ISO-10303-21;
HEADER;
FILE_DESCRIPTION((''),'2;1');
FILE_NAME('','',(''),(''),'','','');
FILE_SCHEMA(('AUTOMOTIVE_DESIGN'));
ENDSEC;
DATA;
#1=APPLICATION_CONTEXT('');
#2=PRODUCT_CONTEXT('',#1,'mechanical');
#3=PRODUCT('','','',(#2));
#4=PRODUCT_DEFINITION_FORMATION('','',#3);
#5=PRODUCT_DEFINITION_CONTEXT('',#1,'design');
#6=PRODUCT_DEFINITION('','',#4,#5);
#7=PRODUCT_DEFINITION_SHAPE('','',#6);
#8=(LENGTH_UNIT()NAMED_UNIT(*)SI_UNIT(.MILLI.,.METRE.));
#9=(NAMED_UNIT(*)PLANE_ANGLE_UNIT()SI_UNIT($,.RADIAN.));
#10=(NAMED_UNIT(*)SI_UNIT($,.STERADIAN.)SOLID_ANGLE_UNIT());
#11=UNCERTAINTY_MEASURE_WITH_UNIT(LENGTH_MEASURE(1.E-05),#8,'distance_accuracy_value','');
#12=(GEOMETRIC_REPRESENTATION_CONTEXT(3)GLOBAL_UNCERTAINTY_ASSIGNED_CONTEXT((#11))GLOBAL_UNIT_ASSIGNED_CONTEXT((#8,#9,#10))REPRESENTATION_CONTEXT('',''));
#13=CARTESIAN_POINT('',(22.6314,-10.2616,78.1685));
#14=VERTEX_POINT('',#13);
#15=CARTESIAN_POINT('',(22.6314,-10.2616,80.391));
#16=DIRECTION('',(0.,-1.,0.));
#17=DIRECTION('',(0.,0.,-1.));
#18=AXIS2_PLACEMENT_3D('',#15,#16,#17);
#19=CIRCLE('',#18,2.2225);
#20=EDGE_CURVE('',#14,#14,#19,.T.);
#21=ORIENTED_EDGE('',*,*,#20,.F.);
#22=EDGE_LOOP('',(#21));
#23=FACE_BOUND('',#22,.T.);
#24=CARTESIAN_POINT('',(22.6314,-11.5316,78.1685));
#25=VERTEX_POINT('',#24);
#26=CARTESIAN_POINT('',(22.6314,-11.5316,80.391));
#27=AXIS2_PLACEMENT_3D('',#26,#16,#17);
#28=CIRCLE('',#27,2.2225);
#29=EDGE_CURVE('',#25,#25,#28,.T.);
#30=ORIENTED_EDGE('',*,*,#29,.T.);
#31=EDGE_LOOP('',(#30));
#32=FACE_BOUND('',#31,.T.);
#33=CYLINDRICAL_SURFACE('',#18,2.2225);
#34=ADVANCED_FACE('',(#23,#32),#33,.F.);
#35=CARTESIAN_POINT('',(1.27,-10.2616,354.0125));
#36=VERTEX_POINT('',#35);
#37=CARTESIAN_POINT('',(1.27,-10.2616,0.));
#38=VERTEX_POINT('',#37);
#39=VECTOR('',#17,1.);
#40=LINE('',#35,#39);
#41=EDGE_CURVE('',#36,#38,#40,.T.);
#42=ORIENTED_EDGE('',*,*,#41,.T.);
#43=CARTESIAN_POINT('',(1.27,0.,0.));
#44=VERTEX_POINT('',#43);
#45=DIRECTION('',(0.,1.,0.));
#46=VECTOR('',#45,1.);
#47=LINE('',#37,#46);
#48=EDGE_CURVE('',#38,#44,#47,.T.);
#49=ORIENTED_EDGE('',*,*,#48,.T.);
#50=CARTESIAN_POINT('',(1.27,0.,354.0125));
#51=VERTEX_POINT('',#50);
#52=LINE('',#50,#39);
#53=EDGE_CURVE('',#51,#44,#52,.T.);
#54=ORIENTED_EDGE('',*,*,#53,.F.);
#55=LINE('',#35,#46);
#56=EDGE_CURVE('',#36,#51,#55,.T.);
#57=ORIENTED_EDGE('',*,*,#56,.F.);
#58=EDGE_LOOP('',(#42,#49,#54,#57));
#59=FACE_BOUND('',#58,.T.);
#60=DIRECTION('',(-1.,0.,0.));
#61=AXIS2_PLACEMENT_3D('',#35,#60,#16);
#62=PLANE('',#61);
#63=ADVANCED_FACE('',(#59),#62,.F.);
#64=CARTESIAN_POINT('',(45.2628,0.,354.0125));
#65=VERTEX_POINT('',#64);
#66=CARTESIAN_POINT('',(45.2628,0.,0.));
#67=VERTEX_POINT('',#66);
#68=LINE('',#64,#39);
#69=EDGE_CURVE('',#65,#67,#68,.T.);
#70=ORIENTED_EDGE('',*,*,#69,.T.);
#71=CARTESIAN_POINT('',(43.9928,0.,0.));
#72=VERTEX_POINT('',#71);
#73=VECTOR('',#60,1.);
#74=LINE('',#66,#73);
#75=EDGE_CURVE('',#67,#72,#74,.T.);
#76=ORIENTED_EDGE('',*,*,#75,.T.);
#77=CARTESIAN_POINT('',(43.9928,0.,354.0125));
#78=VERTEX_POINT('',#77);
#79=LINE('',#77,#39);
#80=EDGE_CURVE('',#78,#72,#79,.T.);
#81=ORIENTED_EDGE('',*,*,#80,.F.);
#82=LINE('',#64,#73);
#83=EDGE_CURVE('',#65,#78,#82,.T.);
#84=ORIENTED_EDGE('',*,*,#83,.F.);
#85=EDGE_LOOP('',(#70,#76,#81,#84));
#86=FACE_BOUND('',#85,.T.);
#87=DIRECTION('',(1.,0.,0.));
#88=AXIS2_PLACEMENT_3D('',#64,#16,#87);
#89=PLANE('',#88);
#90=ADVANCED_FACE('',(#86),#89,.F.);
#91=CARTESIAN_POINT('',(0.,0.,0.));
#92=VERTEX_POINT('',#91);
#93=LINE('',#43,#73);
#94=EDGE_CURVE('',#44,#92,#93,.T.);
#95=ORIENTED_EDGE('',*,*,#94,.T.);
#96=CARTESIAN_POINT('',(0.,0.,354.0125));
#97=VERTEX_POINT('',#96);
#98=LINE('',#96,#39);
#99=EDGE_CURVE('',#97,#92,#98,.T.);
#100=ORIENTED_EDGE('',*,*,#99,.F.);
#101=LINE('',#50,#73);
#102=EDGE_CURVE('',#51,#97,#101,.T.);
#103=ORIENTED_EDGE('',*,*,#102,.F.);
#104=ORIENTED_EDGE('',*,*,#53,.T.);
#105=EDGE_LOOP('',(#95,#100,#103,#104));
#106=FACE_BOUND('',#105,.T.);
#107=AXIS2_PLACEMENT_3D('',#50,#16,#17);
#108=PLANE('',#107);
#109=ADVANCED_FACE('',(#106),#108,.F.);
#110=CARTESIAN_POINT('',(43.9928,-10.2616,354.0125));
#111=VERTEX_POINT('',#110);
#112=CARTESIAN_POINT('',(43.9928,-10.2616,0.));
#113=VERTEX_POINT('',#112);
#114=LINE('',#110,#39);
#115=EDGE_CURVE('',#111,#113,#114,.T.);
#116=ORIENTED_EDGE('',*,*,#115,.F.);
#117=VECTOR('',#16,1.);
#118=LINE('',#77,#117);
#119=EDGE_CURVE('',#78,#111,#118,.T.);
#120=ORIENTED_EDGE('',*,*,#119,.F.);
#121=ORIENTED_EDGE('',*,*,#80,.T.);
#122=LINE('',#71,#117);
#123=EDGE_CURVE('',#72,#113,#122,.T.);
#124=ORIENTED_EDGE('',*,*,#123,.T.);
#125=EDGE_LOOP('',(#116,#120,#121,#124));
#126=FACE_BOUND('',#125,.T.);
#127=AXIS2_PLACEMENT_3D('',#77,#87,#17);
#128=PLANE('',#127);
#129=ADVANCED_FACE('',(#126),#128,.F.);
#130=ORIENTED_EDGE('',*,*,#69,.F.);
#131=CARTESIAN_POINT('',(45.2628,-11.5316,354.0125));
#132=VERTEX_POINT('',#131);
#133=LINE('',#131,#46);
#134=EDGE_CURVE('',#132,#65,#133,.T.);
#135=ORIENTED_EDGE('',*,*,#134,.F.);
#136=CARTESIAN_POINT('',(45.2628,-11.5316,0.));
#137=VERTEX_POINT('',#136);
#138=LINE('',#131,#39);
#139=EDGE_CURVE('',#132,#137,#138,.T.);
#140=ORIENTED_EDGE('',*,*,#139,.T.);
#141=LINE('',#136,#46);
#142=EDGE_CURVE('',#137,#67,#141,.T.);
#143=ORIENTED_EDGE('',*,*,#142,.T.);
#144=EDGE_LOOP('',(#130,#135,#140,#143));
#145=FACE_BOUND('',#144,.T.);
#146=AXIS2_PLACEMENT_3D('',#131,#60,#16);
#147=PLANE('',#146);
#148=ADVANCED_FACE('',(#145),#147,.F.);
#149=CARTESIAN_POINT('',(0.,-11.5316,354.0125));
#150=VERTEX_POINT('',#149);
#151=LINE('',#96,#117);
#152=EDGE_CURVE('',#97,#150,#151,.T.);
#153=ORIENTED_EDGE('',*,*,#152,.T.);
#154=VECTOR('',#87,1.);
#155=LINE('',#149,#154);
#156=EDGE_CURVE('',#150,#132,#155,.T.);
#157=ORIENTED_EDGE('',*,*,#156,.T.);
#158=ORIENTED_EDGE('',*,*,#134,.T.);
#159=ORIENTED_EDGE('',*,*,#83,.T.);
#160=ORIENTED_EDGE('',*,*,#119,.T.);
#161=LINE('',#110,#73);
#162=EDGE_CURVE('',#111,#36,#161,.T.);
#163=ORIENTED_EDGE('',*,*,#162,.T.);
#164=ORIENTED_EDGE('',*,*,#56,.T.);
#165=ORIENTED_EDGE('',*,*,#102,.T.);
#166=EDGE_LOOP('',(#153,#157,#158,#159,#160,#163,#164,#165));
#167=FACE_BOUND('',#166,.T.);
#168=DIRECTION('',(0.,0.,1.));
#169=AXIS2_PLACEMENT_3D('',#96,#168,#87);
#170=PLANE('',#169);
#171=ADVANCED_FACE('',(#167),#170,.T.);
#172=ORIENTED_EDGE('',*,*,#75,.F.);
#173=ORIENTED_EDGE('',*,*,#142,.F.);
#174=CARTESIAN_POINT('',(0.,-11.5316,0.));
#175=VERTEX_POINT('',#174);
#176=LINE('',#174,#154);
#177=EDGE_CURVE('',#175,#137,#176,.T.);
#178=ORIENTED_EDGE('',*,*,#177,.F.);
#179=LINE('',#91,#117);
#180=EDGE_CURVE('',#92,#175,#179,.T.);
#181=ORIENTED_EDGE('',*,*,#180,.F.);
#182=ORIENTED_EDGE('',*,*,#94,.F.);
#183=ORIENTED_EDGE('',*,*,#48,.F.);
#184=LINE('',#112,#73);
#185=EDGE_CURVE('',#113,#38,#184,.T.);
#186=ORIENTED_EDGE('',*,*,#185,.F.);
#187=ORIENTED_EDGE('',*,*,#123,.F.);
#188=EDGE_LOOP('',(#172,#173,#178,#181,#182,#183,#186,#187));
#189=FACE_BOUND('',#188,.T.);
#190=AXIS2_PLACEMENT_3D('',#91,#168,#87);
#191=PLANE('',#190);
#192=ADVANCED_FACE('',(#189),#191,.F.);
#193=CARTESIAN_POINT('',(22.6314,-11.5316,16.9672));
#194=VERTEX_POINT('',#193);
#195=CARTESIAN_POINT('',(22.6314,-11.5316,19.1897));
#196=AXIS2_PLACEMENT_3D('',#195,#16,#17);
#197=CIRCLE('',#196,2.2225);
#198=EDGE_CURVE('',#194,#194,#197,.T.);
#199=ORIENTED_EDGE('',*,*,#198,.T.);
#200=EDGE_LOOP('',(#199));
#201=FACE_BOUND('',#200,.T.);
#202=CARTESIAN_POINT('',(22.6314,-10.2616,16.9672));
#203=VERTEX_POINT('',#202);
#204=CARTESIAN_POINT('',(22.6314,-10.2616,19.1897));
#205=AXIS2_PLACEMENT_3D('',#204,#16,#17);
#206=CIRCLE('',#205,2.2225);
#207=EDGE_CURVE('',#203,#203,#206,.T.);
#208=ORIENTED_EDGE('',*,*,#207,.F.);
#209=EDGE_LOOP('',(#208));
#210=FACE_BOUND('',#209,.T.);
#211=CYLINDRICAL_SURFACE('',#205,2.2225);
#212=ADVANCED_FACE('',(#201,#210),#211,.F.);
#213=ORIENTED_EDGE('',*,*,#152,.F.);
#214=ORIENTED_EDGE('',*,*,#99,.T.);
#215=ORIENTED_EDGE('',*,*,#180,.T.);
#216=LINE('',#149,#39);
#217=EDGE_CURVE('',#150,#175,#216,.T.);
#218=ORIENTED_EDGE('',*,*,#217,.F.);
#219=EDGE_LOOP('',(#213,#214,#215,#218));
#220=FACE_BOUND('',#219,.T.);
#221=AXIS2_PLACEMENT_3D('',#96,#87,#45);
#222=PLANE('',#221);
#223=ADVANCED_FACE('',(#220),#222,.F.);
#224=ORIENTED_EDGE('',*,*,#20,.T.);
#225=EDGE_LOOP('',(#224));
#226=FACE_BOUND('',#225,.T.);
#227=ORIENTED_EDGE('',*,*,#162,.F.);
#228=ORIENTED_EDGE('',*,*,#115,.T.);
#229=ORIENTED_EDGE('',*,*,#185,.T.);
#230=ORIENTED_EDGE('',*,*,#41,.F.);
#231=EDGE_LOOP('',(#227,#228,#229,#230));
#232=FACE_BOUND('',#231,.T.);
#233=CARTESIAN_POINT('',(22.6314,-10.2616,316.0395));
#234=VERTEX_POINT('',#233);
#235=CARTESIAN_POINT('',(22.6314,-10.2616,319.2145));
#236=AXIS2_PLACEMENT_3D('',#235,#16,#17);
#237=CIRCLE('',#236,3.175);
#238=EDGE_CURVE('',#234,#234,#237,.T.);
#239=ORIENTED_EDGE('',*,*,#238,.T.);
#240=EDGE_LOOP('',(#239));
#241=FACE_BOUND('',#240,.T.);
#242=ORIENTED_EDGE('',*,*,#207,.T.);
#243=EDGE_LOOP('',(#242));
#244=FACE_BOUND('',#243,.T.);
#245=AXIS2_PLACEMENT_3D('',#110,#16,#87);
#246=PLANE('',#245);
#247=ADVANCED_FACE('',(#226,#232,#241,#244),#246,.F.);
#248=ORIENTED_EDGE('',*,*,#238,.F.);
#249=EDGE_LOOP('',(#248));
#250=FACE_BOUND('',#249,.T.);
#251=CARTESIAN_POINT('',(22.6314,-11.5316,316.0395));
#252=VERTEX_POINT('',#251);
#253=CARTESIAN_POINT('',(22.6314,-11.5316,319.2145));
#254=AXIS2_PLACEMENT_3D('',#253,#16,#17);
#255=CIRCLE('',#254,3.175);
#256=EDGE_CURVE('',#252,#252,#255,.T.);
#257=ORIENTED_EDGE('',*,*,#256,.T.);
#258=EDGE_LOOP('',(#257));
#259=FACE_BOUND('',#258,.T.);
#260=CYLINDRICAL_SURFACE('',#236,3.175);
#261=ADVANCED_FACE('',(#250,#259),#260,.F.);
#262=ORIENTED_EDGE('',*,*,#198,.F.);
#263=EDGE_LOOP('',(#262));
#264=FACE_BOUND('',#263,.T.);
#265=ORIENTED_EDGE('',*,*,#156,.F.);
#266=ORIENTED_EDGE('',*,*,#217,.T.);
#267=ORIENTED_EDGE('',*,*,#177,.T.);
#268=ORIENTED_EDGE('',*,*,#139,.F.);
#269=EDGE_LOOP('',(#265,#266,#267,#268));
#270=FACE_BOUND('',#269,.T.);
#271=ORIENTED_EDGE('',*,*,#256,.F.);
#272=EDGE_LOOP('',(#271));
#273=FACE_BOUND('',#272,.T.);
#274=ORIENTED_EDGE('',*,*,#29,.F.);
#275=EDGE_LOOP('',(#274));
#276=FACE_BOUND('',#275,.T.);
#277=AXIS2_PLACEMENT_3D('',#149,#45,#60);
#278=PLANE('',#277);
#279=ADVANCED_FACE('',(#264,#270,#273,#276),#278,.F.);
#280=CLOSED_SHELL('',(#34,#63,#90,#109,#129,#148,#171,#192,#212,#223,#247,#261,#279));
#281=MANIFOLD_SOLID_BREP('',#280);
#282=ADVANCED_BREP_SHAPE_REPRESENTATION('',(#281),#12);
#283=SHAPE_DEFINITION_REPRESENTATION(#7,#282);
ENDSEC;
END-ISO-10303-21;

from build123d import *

# Parameters (mm, degrees)
BOSS_EXTRUDE1_DEPTH = 354.0125
SKETCH2_R           = 2.2225
SKETCH2_R_2         = 3.175
CUT_EXTRUDE1_DEPTH  = 1.27


with BuildPart() as part:
    # Sketch1 → Boss-Extrude1 (new body)
    with BuildSketch(Plane.XY):
        Polygon((0, 0), (0, -11.5316), (45.2628, -11.5316), (45.2628, 0), (43.9928, 0), (43.9928, -10.2616), (1.27, -10.2616), (1.27, 0), align=None)
    extrude(amount=BOSS_EXTRUDE1_DEPTH)

    # Sketch2 → Cut-Extrude1 (cut)
    with BuildSketch(Plane(origin=(0, -11.5316, 0), x_dir=(-1, 0, 0), z_dir=(0, -1, 0))):
        with Locations((-22.6314, -19.1897)):
            Circle(SKETCH2_R)
        with Locations((-22.6314, -80.391)):
            Circle(SKETCH2_R)
        with Locations((-22.6314, -319.2145)):
            Circle(SKETCH2_R_2)
    extrude(amount=-CUT_EXTRUDE1_DEPTH, mode=Mode.SUBTRACT)


solid = part.part
